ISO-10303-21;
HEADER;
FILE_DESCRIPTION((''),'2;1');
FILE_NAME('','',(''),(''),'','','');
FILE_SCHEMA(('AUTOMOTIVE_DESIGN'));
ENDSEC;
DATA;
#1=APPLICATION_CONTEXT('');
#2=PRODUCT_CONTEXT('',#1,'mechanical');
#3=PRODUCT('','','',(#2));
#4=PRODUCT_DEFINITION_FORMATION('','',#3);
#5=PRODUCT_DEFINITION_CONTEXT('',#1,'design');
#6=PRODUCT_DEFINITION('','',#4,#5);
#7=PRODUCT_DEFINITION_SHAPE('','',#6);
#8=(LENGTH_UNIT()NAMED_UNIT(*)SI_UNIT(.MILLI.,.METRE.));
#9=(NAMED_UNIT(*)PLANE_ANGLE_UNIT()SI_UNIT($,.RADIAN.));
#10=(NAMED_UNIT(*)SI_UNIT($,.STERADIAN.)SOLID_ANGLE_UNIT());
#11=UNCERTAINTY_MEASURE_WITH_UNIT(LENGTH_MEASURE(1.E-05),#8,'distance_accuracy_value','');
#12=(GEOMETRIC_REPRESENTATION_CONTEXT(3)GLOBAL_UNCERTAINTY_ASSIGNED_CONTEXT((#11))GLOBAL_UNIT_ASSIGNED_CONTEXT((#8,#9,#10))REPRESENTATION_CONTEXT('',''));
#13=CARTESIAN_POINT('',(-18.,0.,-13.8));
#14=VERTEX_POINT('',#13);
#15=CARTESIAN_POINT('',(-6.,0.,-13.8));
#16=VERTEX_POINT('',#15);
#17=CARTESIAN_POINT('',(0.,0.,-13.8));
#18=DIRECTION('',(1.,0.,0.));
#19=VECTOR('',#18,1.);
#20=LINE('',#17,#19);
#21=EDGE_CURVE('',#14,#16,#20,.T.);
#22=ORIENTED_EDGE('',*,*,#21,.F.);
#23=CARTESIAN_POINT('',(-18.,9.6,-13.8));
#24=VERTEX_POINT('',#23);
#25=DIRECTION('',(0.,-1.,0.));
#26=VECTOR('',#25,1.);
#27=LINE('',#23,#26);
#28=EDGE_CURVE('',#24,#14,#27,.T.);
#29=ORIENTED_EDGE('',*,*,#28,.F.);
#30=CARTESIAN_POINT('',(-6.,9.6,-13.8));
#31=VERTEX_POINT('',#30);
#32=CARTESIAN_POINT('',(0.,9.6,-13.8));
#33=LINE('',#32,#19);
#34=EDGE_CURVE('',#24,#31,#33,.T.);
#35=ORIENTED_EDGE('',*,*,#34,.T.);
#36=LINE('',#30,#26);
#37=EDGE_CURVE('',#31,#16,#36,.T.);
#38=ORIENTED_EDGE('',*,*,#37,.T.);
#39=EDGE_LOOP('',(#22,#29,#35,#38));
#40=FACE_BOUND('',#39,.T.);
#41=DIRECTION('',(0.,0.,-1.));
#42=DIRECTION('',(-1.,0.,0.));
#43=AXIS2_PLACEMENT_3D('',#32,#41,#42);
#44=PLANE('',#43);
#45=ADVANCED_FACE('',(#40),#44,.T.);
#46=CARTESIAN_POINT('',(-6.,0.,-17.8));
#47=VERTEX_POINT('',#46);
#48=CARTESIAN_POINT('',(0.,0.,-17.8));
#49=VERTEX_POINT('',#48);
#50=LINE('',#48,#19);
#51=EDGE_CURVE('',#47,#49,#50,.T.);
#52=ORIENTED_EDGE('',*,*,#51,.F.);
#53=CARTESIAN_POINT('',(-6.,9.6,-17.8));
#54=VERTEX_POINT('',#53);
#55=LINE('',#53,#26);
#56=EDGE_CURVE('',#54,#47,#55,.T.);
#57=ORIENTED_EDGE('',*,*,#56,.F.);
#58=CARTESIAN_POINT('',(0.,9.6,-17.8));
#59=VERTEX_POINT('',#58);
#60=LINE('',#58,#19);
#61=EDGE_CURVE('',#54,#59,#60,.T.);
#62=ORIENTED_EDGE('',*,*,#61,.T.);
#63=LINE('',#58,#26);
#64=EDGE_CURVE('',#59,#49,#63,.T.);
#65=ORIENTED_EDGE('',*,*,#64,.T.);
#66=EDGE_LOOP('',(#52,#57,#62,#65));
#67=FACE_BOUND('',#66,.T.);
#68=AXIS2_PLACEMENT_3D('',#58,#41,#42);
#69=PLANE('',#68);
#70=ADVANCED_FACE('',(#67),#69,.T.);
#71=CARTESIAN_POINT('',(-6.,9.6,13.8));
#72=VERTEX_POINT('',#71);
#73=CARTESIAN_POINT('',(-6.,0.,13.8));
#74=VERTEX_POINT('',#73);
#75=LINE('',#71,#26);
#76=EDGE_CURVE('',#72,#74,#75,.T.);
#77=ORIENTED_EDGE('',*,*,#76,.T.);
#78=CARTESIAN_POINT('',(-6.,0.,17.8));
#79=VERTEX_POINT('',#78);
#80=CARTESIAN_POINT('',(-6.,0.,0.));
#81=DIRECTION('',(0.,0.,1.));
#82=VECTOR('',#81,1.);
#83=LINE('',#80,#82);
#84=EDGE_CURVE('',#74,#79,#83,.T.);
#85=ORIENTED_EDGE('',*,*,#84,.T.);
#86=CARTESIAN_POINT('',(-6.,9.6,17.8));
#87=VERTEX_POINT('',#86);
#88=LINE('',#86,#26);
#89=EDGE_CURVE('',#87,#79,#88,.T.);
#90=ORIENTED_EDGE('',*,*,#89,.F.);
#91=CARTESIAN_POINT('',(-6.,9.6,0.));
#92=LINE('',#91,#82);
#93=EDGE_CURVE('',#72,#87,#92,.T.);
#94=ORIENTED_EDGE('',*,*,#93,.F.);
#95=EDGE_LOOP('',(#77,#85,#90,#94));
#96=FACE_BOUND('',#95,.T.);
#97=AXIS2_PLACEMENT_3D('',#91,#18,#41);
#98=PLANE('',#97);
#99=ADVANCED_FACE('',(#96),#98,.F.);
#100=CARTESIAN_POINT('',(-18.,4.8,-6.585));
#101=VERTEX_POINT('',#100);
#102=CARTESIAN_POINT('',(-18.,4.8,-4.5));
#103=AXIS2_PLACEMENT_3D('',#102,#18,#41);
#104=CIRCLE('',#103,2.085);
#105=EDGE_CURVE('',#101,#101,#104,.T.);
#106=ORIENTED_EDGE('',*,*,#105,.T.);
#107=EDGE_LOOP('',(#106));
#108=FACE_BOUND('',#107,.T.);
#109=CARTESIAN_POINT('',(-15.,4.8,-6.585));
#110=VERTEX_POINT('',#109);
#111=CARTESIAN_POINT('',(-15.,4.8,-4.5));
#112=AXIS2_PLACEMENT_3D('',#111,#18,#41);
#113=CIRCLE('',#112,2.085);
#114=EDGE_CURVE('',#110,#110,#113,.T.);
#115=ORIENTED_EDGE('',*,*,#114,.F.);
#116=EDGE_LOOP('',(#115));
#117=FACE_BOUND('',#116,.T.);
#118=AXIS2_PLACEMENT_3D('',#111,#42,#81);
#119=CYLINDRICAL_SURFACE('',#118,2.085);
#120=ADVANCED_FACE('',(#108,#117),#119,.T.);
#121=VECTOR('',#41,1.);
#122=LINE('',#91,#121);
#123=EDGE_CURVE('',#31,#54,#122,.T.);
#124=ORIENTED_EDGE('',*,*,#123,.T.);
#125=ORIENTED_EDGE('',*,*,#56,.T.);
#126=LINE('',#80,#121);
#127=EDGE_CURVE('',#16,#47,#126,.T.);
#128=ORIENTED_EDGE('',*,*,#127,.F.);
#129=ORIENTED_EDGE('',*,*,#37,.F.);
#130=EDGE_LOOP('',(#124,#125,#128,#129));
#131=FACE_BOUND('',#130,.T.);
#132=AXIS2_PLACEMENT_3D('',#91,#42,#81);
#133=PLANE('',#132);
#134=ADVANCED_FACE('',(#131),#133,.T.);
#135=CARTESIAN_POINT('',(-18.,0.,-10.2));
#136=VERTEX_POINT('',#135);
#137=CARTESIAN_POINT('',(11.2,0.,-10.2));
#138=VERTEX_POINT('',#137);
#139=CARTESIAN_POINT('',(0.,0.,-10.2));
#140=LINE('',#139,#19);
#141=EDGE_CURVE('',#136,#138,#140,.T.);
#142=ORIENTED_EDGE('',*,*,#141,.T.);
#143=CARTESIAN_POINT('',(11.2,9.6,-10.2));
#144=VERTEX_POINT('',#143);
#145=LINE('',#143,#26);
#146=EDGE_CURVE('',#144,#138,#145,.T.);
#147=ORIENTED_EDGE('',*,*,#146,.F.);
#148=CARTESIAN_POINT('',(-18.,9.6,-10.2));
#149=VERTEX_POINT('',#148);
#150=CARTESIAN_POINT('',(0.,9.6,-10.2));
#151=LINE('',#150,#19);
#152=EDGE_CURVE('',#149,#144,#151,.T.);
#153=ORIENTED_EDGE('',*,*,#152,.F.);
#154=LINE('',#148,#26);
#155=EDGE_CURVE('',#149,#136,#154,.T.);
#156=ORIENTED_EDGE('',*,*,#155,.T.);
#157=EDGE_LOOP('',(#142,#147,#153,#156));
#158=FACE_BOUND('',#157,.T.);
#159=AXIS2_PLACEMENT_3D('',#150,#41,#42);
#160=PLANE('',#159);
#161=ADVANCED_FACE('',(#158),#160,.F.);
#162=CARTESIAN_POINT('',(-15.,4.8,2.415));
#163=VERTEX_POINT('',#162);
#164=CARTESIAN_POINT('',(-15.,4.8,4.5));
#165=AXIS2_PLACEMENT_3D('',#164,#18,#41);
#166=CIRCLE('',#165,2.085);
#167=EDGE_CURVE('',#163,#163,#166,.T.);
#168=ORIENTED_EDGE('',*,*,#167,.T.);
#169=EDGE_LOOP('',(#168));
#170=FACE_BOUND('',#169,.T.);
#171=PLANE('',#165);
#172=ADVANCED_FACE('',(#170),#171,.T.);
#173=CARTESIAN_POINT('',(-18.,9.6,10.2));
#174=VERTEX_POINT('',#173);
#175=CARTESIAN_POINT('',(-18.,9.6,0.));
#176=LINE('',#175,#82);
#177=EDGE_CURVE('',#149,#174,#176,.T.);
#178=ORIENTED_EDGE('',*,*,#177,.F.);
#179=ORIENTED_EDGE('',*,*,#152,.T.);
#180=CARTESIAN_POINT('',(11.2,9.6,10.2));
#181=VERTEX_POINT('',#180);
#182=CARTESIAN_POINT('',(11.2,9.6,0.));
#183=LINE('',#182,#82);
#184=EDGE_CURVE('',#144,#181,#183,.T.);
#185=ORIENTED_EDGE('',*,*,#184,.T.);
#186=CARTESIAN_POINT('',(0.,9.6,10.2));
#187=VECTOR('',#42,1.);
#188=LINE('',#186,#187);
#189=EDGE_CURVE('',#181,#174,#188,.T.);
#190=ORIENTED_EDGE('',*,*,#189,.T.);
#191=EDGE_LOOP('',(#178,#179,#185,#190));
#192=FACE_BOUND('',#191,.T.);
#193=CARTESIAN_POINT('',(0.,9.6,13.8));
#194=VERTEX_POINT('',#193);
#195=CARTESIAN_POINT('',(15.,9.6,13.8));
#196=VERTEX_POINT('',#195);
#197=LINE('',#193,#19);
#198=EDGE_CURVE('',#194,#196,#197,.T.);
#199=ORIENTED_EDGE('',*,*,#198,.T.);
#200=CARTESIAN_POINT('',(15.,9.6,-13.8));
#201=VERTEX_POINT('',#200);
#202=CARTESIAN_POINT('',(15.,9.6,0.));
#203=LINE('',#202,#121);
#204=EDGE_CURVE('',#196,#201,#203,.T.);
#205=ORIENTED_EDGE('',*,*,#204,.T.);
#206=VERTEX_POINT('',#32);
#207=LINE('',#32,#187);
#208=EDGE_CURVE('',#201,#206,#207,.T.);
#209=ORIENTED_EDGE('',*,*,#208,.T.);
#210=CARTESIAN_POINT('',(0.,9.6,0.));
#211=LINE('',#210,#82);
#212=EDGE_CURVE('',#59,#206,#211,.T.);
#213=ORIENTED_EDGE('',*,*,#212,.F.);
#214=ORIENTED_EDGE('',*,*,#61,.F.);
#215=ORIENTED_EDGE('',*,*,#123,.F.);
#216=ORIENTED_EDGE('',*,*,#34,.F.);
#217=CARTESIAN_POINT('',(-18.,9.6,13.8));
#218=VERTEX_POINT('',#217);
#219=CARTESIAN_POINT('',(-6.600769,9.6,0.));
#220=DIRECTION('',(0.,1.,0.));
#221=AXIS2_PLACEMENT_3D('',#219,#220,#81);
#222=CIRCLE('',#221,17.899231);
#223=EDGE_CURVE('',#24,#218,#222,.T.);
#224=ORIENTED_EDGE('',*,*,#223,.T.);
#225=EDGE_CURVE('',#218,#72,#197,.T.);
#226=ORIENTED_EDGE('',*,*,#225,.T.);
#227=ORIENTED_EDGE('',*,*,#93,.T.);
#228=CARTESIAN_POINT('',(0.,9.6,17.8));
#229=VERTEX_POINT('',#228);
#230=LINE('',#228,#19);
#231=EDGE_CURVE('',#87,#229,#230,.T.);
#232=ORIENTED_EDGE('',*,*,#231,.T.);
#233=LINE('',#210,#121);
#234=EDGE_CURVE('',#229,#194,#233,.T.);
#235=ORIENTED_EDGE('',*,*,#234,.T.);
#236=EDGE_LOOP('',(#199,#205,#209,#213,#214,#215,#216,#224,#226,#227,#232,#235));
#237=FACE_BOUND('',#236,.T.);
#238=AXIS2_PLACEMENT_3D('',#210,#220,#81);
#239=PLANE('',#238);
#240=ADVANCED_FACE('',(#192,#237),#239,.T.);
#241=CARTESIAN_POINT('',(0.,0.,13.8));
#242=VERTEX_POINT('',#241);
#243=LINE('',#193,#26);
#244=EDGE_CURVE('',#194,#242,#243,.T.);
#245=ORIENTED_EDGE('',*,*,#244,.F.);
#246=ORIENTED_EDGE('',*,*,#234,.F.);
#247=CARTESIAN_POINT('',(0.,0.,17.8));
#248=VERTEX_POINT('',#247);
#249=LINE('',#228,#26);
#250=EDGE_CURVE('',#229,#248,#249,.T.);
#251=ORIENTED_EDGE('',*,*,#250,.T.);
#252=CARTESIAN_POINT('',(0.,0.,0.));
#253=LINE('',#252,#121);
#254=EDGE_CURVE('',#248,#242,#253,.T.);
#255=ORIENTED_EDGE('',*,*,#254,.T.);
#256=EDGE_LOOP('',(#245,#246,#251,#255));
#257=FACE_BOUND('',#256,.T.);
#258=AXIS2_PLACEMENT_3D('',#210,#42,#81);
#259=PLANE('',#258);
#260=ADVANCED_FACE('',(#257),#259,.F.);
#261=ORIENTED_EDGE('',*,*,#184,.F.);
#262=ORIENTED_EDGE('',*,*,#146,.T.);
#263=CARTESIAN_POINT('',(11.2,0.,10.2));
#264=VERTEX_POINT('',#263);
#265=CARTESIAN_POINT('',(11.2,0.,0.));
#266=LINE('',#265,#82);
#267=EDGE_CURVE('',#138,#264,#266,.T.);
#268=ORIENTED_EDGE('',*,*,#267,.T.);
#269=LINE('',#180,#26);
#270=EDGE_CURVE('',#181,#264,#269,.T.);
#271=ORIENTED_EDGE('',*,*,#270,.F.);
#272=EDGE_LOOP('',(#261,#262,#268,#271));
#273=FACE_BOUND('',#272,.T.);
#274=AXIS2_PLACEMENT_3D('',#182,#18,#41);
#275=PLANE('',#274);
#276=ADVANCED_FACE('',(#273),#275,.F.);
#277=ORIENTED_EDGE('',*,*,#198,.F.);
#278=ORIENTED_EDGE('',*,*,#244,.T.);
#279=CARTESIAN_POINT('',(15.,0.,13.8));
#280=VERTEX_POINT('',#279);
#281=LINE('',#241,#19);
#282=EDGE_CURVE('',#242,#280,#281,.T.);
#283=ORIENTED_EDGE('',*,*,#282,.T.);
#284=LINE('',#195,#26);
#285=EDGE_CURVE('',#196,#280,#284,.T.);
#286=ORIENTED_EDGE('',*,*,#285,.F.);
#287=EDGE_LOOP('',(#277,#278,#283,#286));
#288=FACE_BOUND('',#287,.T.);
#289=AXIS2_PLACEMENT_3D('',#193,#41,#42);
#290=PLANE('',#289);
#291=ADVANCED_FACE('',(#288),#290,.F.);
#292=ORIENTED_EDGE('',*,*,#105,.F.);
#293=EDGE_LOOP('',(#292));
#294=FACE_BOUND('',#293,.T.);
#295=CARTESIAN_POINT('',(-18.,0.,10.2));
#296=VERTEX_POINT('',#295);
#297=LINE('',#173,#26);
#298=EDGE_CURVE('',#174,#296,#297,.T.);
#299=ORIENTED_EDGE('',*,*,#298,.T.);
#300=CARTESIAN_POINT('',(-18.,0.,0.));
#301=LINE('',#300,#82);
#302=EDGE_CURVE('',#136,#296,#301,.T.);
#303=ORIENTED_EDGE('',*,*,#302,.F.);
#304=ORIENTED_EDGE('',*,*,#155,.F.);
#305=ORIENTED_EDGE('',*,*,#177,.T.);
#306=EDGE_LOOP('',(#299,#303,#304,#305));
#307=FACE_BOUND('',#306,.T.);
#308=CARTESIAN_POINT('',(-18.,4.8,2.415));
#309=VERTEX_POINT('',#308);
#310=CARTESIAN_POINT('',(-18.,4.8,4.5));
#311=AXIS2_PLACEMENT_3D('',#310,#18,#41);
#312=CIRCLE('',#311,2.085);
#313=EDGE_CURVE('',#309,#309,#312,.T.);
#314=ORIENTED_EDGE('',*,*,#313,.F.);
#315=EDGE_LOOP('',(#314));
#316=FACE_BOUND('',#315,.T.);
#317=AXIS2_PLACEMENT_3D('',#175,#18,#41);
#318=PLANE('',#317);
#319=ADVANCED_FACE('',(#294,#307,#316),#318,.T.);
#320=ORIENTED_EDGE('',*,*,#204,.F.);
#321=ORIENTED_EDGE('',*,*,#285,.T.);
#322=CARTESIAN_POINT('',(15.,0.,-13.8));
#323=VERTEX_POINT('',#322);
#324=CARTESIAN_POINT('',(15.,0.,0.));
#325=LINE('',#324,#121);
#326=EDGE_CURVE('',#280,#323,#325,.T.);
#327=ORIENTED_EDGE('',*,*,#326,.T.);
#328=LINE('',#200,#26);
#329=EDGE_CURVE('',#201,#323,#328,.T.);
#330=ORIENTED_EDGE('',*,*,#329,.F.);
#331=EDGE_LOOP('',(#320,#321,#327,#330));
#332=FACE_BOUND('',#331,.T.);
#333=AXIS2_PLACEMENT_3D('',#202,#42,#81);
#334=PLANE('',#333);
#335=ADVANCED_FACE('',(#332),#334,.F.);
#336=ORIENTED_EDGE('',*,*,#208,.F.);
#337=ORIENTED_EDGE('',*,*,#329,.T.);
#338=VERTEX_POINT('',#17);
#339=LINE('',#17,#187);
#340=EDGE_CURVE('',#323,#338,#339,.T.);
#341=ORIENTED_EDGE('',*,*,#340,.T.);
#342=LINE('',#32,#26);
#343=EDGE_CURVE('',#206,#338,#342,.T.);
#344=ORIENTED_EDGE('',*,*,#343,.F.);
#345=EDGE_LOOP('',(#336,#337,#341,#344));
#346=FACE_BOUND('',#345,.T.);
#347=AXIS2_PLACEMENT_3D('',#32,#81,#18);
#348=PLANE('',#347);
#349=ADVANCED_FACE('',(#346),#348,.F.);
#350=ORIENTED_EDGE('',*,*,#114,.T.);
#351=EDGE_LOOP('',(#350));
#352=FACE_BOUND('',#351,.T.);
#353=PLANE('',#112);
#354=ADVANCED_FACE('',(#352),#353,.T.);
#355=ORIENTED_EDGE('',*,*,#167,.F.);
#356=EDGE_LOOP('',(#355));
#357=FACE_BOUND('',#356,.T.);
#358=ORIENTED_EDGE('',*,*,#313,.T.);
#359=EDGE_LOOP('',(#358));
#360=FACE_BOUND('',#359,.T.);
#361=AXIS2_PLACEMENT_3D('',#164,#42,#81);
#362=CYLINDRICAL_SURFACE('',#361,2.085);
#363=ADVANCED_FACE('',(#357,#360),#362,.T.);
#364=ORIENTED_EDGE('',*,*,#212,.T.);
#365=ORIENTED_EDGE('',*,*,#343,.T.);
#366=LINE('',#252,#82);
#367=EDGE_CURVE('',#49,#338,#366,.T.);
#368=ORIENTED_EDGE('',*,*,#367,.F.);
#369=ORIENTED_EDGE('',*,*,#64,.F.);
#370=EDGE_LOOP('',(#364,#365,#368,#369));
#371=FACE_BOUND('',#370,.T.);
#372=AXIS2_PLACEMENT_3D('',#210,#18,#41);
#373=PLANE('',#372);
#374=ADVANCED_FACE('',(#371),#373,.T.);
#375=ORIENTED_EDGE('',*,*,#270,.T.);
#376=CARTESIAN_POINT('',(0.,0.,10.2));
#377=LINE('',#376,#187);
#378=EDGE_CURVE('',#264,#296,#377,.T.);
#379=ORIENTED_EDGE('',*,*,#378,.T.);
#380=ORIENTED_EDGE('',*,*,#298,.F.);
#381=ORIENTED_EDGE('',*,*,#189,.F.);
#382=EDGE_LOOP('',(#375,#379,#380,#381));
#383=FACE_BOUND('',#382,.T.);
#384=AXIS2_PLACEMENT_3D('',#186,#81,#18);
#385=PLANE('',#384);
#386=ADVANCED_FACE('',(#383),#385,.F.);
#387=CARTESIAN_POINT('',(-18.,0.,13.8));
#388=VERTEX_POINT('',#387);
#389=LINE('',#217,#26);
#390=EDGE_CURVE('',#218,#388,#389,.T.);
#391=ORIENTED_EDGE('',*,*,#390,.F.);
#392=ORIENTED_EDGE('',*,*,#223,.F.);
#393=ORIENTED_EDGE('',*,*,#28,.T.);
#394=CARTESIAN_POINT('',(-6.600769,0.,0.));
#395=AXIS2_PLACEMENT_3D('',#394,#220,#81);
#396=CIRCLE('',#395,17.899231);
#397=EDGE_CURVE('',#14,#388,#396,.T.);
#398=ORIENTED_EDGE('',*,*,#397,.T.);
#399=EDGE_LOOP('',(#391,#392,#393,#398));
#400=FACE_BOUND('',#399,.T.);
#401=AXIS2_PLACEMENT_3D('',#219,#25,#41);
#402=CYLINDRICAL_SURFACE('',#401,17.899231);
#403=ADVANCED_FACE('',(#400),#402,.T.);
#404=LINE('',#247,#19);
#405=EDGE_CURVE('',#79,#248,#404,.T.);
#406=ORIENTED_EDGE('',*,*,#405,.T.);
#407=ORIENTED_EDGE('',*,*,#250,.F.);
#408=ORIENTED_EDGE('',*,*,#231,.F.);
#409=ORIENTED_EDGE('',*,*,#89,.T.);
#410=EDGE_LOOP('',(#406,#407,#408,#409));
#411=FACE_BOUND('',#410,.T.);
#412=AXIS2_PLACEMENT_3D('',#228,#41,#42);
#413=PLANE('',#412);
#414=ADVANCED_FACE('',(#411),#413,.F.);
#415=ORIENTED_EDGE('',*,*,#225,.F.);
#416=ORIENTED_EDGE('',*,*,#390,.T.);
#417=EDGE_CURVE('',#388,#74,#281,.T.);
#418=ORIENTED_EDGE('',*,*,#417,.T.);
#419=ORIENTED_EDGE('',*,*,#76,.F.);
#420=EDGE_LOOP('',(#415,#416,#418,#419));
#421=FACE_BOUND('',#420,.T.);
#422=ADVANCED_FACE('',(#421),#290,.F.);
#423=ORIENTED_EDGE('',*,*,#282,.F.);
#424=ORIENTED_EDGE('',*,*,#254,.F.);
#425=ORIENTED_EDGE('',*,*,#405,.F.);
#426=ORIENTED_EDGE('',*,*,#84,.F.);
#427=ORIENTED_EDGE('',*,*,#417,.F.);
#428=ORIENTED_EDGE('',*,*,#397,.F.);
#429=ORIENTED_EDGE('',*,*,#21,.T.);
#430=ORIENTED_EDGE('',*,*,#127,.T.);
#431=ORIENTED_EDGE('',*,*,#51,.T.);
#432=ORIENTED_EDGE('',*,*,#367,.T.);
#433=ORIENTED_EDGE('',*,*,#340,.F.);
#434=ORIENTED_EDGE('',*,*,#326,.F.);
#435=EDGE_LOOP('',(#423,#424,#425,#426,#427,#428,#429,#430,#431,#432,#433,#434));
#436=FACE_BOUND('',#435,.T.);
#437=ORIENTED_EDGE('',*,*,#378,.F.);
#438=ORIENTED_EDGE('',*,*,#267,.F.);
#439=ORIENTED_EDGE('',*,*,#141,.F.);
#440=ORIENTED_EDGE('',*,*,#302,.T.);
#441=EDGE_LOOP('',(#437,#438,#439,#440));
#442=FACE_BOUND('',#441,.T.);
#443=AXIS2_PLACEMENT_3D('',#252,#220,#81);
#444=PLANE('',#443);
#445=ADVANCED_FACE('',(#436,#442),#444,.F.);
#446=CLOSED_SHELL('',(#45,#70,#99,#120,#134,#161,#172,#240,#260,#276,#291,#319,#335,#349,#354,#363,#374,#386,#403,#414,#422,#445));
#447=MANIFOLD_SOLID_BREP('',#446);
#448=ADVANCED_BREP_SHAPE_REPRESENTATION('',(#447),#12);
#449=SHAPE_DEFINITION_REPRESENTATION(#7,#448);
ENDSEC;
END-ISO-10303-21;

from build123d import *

# Parameters (mm, degrees)
SKETCH1_W           = 29.2
SKETCH1_H           = 20.4
BOSS_EXTRUDE1_DEPTH = 9.6
SKETCH3_R           = 2.085
BOSS_EXTRUDE3_DEPTH = 3


with BuildPart() as part:
    # Sketch1 → Boss-Extrude1 (new body)
    with BuildSketch(Plane(origin=(0, 0, 0), x_dir=(1, 0, 0), z_dir=(0, 1, 0))):
        with BuildLine():
            Line((-6, 13.8), (-18, 13.8))
            ThreePointArc((-18, 13.8), (-24.5, 0), (-18, -13.8))
            Line((-18, -13.8), (-6, -13.8))
            Line((-6, -13.8), (-6, -17.8))
            Line((-6, -17.8), (0, -17.8))
            Line((0, -17.8), (0, -13.8))
            Line((0, -13.8), (15, -13.8))
            Line((15, -13.8), (15, 13.8))
            Line((15, 13.8), (0, 13.8))
            Line((0, 13.8), (0, 17.8))
            Line((0, 17.8), (-6, 17.8))
            Line((-6, 17.8), (-6, 13.8))
        make_face()
        with Locations((-3.4, 0)):
            Rectangle(SKETCH1_W, SKETCH1_H, mode=Mode.SUBTRACT)
    extrude(amount=BOSS_EXTRUDE1_DEPTH)

    # Sketch3 → Boss-Extrude3 (add)
    with BuildSketch(Plane(origin=(-18, 0, 0), x_dir=(0, 0, -1), z_dir=(1, 0, 0))):
        with Locations((-4.5, 4.8)):
            Circle(SKETCH3_R)
        with Locations((4.5, 4.8)):
            Circle(SKETCH3_R)
    extrude(amount=BOSS_EXTRUDE3_DEPTH)


solid = part.part
